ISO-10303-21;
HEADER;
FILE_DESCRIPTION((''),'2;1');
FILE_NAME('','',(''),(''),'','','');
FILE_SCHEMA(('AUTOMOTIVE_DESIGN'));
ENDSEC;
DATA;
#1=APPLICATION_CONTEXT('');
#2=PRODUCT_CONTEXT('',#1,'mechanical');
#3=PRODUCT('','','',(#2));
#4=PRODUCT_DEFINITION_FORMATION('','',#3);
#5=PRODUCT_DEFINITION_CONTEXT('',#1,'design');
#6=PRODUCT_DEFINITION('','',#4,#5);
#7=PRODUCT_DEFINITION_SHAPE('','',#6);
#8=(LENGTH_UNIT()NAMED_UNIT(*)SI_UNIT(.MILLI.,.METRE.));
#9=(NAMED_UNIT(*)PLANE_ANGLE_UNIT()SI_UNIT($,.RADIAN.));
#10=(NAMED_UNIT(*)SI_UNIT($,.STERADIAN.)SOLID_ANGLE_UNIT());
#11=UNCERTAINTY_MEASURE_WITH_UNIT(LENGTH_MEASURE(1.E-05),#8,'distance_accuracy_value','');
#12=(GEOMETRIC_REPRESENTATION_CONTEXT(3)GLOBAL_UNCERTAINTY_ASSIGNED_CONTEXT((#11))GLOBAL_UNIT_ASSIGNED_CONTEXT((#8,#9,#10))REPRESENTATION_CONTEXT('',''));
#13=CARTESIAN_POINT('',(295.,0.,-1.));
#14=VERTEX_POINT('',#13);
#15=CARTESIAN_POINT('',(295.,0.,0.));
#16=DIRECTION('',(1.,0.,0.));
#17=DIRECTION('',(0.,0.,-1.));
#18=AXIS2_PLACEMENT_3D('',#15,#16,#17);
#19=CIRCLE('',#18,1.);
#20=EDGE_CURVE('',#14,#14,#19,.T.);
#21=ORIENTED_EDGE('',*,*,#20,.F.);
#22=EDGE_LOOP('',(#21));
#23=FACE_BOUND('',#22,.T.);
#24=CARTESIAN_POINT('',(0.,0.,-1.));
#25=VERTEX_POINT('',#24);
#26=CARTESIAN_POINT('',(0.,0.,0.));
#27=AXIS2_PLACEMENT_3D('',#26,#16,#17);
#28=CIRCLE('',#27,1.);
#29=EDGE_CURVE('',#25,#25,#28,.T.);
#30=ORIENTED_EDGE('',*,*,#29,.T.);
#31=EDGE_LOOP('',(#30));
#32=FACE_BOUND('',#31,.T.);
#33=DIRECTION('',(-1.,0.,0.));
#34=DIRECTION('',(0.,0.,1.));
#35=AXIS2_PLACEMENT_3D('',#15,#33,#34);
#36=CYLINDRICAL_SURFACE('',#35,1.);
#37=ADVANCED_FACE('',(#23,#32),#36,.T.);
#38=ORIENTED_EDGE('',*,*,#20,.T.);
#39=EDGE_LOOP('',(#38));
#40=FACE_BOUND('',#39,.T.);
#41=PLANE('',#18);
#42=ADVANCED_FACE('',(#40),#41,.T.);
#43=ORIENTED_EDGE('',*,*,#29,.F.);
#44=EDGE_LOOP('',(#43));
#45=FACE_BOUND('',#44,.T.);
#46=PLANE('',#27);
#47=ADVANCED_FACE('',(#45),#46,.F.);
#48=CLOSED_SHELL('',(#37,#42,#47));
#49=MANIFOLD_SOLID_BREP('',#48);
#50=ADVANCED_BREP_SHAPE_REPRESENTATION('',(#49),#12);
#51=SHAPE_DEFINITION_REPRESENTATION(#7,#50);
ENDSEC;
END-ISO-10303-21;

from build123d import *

# Parameters (mm, degrees)
SKETCH1_R           = 1
BOSS_EXTRUDE1_DEPTH = 295


with BuildPart() as part:
    # Sketch1 → Boss-Extrude1 (new body)
    with BuildSketch(Plane(origin=(0, 0, 0), x_dir=(0, 0, -1), z_dir=(1, 0, 0))):
        Circle(SKETCH1_R)
    extrude(amount=BOSS_EXTRUDE1_DEPTH)


solid = part.part
